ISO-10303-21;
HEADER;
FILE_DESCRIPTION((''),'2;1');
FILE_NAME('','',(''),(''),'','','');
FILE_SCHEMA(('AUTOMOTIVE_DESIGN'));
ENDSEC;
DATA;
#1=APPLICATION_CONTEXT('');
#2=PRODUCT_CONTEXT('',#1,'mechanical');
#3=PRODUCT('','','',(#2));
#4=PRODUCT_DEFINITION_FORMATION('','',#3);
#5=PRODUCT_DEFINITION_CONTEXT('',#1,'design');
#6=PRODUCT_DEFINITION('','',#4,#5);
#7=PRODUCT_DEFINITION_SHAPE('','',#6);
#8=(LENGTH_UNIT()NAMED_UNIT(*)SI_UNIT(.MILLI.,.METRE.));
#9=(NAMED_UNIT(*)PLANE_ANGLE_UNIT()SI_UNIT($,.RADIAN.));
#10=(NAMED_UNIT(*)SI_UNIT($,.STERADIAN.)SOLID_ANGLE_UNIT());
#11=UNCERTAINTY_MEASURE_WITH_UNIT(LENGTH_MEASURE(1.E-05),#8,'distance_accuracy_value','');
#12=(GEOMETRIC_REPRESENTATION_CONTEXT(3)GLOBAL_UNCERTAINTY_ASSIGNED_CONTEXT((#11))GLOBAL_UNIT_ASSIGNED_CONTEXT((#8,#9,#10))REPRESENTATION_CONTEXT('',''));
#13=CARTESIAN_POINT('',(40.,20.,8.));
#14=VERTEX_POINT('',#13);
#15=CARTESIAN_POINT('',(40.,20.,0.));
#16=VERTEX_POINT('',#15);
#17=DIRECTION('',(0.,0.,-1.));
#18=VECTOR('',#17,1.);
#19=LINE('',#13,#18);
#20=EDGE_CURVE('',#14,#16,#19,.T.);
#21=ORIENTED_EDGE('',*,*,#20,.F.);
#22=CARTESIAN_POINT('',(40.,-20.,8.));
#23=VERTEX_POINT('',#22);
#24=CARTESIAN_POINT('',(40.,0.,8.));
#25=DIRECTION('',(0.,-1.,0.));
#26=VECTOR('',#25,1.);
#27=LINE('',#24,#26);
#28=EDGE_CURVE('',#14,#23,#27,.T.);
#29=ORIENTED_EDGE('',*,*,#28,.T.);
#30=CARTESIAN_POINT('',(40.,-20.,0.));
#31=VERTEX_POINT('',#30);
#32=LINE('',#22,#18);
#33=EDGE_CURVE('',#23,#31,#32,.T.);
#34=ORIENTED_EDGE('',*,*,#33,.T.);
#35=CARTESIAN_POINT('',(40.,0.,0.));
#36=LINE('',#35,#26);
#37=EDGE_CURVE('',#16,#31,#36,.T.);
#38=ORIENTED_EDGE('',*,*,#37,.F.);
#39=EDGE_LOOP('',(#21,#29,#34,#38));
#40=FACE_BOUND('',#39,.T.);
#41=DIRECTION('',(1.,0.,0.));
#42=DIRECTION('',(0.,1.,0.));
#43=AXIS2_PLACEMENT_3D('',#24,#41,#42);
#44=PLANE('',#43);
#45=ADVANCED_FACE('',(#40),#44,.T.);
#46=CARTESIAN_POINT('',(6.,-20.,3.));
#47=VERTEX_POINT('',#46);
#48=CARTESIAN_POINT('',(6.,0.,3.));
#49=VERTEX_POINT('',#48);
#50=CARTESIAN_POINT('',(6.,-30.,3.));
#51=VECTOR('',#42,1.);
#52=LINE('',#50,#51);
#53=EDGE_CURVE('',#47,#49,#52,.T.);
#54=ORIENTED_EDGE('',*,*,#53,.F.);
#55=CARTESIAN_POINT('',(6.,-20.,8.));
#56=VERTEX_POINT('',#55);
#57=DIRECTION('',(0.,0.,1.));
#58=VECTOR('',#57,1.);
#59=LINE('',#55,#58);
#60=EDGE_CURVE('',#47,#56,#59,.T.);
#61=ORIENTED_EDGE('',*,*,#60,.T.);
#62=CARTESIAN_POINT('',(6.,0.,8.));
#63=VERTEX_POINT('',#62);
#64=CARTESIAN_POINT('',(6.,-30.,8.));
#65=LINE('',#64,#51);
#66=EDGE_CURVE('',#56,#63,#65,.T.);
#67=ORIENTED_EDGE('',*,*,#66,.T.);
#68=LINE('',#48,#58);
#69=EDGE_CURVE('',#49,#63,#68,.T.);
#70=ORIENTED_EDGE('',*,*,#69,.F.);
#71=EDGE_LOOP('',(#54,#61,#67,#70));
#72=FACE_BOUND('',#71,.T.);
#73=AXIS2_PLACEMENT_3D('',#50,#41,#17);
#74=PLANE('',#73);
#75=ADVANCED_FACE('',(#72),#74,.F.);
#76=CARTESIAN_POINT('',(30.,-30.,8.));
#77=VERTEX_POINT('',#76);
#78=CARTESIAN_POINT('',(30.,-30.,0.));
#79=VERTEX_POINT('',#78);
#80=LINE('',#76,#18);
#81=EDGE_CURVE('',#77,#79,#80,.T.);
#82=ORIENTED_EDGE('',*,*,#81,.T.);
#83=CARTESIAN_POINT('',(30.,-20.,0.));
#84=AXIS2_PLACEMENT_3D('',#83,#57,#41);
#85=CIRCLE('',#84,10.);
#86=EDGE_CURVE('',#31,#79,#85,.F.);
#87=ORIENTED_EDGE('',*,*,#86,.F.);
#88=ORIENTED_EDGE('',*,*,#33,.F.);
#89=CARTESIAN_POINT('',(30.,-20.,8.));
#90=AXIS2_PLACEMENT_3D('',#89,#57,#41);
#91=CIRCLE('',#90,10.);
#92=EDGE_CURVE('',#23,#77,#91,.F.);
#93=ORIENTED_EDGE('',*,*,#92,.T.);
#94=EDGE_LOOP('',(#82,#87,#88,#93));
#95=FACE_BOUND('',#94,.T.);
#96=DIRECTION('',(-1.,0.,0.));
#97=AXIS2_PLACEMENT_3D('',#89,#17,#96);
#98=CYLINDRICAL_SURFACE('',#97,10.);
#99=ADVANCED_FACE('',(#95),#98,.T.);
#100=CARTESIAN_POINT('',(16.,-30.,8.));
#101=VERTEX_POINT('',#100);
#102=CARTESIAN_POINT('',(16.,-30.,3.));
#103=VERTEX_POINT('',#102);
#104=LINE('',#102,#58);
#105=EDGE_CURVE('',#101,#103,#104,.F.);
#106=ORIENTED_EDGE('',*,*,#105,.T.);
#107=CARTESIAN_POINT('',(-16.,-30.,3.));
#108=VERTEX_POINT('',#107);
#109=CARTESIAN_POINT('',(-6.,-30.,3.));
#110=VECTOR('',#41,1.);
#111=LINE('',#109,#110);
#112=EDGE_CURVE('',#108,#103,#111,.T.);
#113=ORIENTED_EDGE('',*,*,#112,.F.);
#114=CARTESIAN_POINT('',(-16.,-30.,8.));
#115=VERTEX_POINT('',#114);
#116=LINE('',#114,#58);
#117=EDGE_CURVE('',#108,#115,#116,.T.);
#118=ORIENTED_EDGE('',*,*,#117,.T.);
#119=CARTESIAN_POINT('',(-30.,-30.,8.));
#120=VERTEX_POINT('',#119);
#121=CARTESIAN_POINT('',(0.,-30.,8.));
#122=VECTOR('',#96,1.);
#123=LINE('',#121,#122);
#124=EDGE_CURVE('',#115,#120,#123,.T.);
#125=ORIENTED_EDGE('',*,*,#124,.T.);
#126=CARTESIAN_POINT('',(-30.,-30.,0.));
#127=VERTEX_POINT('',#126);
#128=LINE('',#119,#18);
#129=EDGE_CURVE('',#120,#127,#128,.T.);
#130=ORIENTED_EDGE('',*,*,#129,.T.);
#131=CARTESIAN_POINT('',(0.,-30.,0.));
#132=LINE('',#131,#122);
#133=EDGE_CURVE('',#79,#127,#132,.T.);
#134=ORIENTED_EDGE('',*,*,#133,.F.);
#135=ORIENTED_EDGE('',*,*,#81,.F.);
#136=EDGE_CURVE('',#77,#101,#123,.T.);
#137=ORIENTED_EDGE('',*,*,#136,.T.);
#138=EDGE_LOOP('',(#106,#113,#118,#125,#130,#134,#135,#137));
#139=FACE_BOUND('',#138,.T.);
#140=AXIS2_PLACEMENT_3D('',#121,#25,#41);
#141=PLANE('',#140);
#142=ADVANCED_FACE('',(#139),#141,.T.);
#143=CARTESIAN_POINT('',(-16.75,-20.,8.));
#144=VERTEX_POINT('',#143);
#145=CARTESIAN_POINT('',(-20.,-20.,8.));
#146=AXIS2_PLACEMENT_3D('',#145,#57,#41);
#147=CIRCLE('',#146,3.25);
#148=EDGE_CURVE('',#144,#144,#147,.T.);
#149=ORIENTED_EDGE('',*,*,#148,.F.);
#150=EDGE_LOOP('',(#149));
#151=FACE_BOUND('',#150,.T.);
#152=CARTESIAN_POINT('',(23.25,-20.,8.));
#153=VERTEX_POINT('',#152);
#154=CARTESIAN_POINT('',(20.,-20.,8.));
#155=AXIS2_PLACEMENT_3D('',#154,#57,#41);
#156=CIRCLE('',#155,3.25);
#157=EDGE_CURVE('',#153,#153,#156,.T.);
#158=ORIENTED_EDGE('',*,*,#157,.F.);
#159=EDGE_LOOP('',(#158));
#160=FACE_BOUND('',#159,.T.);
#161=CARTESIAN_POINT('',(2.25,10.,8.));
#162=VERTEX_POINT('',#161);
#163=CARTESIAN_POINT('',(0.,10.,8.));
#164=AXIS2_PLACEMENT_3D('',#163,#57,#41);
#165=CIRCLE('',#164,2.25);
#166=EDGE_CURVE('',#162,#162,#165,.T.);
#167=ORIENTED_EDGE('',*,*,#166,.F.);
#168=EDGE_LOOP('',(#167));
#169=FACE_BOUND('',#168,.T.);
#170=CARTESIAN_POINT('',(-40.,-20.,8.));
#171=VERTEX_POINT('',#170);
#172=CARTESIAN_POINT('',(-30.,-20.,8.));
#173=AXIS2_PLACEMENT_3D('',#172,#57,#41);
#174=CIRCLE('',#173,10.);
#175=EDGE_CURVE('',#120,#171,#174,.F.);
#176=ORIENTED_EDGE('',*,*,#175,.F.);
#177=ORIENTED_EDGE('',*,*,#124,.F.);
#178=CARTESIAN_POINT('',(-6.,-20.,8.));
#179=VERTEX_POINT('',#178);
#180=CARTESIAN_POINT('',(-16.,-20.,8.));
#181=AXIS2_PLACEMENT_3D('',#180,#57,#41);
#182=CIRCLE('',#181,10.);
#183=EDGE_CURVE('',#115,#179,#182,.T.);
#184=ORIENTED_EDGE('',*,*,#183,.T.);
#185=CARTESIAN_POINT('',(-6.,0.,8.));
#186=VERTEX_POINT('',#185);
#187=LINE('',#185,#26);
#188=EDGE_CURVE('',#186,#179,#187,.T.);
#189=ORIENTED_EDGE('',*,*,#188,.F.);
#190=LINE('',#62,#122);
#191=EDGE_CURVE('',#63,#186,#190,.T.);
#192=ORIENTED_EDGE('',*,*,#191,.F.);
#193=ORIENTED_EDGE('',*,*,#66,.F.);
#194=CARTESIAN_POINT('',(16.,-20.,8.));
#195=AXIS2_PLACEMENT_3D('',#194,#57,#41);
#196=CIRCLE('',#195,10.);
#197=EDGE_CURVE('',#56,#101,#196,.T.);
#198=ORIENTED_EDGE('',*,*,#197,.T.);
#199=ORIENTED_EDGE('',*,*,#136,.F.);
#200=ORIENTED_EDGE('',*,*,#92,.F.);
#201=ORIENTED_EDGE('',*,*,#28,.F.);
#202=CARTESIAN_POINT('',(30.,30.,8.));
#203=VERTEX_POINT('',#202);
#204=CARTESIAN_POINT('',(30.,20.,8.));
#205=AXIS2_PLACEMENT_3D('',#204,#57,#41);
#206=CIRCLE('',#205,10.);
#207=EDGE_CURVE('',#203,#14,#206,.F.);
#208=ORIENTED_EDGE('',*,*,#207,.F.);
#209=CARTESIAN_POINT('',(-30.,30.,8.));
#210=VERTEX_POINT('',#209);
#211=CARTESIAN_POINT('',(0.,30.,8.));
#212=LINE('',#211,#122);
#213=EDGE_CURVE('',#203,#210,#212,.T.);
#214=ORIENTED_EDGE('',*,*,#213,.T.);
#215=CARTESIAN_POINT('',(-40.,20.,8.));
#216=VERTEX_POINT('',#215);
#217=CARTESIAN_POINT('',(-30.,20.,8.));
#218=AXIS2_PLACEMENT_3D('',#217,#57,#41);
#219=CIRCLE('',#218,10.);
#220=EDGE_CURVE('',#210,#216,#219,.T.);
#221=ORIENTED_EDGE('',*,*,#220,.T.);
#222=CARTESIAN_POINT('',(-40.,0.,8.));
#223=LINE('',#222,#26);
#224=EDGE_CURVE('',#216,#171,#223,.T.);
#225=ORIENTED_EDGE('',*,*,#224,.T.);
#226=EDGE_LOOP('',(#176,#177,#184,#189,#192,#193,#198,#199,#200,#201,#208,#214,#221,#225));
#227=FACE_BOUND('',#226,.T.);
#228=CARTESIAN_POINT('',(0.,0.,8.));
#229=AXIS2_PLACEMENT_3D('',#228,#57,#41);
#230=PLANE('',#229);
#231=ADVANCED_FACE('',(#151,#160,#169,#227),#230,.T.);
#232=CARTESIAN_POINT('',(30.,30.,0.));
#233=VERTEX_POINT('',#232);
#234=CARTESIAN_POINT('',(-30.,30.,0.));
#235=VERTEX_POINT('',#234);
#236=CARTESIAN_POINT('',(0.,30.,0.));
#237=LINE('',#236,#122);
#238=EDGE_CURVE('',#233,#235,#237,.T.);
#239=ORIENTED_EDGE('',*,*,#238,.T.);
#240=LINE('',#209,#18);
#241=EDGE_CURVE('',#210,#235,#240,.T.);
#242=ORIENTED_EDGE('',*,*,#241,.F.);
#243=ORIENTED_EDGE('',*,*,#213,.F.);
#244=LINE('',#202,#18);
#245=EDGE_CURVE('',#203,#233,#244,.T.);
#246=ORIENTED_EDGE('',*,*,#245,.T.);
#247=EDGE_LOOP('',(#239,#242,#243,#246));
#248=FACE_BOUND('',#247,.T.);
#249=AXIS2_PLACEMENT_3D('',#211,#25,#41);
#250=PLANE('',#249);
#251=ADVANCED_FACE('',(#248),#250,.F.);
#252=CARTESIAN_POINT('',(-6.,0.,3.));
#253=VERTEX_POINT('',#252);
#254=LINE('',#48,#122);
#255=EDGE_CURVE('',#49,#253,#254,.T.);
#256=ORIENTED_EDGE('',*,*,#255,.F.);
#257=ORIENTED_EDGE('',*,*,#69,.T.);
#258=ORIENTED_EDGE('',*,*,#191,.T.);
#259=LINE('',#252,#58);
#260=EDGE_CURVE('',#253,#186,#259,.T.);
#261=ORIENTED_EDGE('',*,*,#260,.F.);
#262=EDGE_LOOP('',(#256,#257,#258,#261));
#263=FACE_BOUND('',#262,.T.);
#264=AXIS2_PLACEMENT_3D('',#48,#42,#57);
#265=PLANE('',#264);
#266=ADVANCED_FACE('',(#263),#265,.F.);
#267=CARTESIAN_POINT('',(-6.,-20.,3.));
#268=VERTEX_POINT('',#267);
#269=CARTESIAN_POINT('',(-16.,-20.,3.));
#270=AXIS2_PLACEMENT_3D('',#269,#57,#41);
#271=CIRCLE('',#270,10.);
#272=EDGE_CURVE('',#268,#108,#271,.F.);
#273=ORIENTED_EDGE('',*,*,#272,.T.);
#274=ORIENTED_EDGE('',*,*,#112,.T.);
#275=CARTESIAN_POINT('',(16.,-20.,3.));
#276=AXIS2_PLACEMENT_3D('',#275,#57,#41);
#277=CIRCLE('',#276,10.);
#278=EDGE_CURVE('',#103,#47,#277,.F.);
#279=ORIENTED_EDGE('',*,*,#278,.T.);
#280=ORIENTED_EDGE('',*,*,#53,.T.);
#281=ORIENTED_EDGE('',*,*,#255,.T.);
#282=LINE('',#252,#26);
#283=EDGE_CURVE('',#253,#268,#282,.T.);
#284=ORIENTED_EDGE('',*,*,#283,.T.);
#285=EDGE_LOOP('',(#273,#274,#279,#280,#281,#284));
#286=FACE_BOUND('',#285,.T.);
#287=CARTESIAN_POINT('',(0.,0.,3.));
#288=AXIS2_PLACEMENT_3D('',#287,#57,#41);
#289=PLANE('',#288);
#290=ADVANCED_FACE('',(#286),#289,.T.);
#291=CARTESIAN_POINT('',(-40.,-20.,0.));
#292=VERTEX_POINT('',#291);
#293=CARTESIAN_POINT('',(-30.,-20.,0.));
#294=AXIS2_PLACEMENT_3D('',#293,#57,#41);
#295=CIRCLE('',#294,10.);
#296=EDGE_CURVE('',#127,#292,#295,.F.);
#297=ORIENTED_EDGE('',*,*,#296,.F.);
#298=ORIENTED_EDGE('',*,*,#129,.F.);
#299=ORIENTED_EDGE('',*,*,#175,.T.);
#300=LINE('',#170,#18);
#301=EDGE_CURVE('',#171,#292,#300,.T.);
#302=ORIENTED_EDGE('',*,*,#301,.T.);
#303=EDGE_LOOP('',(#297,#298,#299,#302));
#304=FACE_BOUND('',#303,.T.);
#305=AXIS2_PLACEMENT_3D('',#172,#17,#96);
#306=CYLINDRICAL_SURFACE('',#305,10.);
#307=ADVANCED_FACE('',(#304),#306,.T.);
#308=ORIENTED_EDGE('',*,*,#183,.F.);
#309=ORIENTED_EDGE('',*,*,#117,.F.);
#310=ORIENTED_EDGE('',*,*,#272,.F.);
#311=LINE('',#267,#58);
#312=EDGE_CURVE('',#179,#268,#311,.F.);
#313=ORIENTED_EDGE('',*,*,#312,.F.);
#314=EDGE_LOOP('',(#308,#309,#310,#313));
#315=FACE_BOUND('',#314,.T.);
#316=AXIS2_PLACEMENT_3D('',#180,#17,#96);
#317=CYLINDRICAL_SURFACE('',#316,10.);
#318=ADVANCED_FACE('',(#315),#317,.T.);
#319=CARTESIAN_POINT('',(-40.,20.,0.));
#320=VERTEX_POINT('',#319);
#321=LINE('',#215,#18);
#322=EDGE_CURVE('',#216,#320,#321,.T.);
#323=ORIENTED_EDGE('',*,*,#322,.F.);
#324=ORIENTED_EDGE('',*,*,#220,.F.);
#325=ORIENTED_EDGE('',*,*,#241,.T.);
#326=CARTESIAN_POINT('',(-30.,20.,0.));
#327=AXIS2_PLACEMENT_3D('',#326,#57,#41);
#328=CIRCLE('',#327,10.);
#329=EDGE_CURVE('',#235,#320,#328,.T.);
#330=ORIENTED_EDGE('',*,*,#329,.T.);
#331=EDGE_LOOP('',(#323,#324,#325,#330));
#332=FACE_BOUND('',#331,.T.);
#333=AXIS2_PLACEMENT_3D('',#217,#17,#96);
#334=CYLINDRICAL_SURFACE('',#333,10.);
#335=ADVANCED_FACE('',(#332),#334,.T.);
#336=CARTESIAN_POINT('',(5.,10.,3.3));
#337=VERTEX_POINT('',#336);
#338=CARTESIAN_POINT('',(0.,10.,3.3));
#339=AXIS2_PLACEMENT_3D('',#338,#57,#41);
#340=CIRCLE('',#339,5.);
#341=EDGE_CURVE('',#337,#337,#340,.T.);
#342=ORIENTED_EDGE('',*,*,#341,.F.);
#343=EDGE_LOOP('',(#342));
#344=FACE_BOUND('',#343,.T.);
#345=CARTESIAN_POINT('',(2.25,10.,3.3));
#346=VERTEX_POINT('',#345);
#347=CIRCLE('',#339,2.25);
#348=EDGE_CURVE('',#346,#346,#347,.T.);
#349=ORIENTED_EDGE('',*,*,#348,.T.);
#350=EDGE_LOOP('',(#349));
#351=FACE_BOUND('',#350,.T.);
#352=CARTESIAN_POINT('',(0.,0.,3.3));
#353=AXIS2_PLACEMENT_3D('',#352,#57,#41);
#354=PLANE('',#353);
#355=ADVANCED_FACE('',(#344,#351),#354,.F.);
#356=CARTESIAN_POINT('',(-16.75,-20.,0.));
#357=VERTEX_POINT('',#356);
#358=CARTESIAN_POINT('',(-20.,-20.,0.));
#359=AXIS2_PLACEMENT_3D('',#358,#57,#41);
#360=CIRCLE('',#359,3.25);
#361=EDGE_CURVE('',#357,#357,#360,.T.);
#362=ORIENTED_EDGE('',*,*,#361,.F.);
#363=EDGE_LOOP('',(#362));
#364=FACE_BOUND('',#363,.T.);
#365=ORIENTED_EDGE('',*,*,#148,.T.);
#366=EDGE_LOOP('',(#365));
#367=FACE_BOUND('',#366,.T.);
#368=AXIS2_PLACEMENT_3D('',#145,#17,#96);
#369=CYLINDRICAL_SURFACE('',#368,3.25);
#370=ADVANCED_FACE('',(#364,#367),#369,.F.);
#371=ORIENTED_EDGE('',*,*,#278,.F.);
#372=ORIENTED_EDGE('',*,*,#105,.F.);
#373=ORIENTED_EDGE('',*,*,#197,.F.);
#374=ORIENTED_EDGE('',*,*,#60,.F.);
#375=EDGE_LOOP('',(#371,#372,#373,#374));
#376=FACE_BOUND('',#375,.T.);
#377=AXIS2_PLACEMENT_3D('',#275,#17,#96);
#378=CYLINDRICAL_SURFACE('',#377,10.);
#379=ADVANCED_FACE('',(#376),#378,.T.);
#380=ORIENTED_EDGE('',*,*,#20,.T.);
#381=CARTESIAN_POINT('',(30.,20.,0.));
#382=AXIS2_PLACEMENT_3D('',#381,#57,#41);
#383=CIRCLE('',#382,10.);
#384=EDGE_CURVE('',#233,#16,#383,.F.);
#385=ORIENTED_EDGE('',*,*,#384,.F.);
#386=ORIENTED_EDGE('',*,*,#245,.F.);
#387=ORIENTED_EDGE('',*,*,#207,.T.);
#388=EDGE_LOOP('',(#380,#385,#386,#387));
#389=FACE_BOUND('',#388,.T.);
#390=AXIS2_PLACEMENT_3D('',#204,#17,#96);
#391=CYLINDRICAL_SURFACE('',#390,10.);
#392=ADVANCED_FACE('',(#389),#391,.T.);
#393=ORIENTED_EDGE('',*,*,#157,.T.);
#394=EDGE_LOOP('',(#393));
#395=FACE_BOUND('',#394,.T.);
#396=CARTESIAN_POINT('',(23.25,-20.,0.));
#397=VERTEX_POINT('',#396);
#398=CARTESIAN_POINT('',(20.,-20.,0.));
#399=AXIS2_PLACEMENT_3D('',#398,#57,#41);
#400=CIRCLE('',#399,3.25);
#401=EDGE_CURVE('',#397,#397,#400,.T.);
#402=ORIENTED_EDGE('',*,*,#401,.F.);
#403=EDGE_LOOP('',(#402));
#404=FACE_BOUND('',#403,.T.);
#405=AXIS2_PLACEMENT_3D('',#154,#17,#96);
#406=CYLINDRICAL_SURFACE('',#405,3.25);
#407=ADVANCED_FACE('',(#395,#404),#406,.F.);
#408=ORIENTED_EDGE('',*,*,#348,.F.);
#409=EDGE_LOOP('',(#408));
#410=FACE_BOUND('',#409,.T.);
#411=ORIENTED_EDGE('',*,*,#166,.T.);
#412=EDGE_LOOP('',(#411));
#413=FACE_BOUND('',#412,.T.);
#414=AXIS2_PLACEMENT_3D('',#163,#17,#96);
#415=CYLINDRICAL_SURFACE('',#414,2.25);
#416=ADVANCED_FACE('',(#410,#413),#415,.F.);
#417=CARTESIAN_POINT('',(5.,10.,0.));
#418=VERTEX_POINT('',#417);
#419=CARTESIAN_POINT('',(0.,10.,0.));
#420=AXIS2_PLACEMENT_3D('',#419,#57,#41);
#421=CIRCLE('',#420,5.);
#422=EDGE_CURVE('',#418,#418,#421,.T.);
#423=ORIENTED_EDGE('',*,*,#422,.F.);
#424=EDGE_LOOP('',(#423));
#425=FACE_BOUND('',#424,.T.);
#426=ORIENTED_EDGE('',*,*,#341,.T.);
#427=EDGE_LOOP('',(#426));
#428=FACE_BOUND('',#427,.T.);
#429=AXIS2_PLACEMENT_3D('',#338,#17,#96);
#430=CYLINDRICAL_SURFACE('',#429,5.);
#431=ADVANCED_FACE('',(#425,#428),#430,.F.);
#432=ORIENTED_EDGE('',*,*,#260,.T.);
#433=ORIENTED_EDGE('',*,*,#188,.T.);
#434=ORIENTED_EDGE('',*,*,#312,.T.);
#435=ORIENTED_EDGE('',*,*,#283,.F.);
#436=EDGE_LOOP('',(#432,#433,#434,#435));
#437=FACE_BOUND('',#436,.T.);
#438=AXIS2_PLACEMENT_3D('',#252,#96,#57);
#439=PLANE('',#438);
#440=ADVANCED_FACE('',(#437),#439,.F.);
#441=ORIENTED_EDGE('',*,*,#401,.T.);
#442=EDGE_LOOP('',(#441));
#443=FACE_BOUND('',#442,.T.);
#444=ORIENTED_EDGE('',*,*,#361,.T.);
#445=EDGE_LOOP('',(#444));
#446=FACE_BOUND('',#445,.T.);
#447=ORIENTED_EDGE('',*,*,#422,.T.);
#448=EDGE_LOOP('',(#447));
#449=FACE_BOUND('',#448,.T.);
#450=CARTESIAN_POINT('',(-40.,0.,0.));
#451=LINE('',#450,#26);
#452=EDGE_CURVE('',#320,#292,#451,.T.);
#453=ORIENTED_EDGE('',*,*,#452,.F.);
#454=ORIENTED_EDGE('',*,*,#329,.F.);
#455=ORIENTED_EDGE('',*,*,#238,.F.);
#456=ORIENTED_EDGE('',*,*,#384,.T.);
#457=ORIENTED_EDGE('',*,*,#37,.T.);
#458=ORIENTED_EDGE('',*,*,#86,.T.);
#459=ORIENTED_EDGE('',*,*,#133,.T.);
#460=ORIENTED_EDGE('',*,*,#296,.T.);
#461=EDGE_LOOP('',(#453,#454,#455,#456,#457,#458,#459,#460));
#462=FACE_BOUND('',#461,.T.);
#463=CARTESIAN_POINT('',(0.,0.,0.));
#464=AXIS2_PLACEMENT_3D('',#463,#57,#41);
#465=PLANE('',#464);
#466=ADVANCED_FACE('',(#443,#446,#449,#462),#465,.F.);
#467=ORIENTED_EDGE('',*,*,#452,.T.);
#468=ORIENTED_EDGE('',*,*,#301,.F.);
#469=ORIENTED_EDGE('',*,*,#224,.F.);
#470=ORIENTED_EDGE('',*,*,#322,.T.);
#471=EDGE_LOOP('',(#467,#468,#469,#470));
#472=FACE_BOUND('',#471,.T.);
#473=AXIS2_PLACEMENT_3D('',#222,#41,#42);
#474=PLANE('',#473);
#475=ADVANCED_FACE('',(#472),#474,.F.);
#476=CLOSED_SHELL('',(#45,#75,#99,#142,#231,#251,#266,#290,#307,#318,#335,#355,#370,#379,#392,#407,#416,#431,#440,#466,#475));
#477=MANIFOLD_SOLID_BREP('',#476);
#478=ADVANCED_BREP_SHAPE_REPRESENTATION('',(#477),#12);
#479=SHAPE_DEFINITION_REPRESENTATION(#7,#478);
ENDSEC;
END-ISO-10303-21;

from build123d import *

# Parameters (mm, degrees)
SKETCH_1_R          = 3.25
SKETCH_1_R_2        = 2.25
EXTRUDE_1_DEPTH     = 8
SKETCH_1_3_R        = 5
SKETCH_1_3_R_2      = 2.25
CUT_EXTRUDE_1_DEPTH = 3.3
SKETCH_2_W          = 12
SKETCH_2_H          = 30
CUT_EXTRUDE_2_DEPTH = 5
FILLET_1_R          = 10


with BuildPart() as part:
    # 草图1 → 凸台-拉伸1 (new body)
    with BuildSketch(Plane.XY):
        with BuildLine():
            ThreePointArc((40, 20), (37.071067812, 27.071067812), (30, 30))
            Line((30, 30), (-30, 30))
            ThreePointArc((-30, 30), (-37.071067812, 27.071067812), (-40, 20))
            Line((-40, 20), (-40, -20))
            ThreePointArc((-40, -20), (-37.071067812, -27.071067812), (-30, -30))
            Line((-30, -30), (30, -30))
            ThreePointArc((30, -30), (37.071067812, -27.071067812), (40, -20))
            Line((40, -20), (40, 20))
        make_face()
        with Locations((-20, -20)):
            Circle(SKETCH_1_R, mode=Mode.SUBTRACT)
        with Locations((20, -20)):
            Circle(SKETCH_1_R, mode=Mode.SUBTRACT)
        with Locations((0, 10)):
            Circle(SKETCH_1_R_2, mode=Mode.SUBTRACT)
    extrude(amount=EXTRUDE_1_DEPTH)

    # 草图1<3> → 切除-拉伸1 (cut)
    with BuildSketch(Plane.XY):
        with Locations((0, 10)):
            Circle(SKETCH_1_3_R)
        with Locations((0, 10)):
            Circle(SKETCH_1_3_R_2, mode=Mode.SUBTRACT)
    extrude(amount=CUT_EXTRUDE_1_DEPTH, mode=Mode.SUBTRACT)

    # 草图2 → 切除-拉伸2 (cut)
    with BuildSketch(Plane.XY.offset(8)):
        with Locations((0, -15)):
            Rectangle(SKETCH_2_W, SKETCH_2_H)
    extrude(amount=-CUT_EXTRUDE_2_DEPTH, mode=Mode.SUBTRACT)

    # 圆角1
    fillet_1_edges = [part.edges().sort_by_distance(p)[0] for p in [
        (-6, -30, 5.5),
        (6, -30, 5.5),
    ]]
    fillet(fillet_1_edges, radius=FILLET_1_R)


solid = part.part
